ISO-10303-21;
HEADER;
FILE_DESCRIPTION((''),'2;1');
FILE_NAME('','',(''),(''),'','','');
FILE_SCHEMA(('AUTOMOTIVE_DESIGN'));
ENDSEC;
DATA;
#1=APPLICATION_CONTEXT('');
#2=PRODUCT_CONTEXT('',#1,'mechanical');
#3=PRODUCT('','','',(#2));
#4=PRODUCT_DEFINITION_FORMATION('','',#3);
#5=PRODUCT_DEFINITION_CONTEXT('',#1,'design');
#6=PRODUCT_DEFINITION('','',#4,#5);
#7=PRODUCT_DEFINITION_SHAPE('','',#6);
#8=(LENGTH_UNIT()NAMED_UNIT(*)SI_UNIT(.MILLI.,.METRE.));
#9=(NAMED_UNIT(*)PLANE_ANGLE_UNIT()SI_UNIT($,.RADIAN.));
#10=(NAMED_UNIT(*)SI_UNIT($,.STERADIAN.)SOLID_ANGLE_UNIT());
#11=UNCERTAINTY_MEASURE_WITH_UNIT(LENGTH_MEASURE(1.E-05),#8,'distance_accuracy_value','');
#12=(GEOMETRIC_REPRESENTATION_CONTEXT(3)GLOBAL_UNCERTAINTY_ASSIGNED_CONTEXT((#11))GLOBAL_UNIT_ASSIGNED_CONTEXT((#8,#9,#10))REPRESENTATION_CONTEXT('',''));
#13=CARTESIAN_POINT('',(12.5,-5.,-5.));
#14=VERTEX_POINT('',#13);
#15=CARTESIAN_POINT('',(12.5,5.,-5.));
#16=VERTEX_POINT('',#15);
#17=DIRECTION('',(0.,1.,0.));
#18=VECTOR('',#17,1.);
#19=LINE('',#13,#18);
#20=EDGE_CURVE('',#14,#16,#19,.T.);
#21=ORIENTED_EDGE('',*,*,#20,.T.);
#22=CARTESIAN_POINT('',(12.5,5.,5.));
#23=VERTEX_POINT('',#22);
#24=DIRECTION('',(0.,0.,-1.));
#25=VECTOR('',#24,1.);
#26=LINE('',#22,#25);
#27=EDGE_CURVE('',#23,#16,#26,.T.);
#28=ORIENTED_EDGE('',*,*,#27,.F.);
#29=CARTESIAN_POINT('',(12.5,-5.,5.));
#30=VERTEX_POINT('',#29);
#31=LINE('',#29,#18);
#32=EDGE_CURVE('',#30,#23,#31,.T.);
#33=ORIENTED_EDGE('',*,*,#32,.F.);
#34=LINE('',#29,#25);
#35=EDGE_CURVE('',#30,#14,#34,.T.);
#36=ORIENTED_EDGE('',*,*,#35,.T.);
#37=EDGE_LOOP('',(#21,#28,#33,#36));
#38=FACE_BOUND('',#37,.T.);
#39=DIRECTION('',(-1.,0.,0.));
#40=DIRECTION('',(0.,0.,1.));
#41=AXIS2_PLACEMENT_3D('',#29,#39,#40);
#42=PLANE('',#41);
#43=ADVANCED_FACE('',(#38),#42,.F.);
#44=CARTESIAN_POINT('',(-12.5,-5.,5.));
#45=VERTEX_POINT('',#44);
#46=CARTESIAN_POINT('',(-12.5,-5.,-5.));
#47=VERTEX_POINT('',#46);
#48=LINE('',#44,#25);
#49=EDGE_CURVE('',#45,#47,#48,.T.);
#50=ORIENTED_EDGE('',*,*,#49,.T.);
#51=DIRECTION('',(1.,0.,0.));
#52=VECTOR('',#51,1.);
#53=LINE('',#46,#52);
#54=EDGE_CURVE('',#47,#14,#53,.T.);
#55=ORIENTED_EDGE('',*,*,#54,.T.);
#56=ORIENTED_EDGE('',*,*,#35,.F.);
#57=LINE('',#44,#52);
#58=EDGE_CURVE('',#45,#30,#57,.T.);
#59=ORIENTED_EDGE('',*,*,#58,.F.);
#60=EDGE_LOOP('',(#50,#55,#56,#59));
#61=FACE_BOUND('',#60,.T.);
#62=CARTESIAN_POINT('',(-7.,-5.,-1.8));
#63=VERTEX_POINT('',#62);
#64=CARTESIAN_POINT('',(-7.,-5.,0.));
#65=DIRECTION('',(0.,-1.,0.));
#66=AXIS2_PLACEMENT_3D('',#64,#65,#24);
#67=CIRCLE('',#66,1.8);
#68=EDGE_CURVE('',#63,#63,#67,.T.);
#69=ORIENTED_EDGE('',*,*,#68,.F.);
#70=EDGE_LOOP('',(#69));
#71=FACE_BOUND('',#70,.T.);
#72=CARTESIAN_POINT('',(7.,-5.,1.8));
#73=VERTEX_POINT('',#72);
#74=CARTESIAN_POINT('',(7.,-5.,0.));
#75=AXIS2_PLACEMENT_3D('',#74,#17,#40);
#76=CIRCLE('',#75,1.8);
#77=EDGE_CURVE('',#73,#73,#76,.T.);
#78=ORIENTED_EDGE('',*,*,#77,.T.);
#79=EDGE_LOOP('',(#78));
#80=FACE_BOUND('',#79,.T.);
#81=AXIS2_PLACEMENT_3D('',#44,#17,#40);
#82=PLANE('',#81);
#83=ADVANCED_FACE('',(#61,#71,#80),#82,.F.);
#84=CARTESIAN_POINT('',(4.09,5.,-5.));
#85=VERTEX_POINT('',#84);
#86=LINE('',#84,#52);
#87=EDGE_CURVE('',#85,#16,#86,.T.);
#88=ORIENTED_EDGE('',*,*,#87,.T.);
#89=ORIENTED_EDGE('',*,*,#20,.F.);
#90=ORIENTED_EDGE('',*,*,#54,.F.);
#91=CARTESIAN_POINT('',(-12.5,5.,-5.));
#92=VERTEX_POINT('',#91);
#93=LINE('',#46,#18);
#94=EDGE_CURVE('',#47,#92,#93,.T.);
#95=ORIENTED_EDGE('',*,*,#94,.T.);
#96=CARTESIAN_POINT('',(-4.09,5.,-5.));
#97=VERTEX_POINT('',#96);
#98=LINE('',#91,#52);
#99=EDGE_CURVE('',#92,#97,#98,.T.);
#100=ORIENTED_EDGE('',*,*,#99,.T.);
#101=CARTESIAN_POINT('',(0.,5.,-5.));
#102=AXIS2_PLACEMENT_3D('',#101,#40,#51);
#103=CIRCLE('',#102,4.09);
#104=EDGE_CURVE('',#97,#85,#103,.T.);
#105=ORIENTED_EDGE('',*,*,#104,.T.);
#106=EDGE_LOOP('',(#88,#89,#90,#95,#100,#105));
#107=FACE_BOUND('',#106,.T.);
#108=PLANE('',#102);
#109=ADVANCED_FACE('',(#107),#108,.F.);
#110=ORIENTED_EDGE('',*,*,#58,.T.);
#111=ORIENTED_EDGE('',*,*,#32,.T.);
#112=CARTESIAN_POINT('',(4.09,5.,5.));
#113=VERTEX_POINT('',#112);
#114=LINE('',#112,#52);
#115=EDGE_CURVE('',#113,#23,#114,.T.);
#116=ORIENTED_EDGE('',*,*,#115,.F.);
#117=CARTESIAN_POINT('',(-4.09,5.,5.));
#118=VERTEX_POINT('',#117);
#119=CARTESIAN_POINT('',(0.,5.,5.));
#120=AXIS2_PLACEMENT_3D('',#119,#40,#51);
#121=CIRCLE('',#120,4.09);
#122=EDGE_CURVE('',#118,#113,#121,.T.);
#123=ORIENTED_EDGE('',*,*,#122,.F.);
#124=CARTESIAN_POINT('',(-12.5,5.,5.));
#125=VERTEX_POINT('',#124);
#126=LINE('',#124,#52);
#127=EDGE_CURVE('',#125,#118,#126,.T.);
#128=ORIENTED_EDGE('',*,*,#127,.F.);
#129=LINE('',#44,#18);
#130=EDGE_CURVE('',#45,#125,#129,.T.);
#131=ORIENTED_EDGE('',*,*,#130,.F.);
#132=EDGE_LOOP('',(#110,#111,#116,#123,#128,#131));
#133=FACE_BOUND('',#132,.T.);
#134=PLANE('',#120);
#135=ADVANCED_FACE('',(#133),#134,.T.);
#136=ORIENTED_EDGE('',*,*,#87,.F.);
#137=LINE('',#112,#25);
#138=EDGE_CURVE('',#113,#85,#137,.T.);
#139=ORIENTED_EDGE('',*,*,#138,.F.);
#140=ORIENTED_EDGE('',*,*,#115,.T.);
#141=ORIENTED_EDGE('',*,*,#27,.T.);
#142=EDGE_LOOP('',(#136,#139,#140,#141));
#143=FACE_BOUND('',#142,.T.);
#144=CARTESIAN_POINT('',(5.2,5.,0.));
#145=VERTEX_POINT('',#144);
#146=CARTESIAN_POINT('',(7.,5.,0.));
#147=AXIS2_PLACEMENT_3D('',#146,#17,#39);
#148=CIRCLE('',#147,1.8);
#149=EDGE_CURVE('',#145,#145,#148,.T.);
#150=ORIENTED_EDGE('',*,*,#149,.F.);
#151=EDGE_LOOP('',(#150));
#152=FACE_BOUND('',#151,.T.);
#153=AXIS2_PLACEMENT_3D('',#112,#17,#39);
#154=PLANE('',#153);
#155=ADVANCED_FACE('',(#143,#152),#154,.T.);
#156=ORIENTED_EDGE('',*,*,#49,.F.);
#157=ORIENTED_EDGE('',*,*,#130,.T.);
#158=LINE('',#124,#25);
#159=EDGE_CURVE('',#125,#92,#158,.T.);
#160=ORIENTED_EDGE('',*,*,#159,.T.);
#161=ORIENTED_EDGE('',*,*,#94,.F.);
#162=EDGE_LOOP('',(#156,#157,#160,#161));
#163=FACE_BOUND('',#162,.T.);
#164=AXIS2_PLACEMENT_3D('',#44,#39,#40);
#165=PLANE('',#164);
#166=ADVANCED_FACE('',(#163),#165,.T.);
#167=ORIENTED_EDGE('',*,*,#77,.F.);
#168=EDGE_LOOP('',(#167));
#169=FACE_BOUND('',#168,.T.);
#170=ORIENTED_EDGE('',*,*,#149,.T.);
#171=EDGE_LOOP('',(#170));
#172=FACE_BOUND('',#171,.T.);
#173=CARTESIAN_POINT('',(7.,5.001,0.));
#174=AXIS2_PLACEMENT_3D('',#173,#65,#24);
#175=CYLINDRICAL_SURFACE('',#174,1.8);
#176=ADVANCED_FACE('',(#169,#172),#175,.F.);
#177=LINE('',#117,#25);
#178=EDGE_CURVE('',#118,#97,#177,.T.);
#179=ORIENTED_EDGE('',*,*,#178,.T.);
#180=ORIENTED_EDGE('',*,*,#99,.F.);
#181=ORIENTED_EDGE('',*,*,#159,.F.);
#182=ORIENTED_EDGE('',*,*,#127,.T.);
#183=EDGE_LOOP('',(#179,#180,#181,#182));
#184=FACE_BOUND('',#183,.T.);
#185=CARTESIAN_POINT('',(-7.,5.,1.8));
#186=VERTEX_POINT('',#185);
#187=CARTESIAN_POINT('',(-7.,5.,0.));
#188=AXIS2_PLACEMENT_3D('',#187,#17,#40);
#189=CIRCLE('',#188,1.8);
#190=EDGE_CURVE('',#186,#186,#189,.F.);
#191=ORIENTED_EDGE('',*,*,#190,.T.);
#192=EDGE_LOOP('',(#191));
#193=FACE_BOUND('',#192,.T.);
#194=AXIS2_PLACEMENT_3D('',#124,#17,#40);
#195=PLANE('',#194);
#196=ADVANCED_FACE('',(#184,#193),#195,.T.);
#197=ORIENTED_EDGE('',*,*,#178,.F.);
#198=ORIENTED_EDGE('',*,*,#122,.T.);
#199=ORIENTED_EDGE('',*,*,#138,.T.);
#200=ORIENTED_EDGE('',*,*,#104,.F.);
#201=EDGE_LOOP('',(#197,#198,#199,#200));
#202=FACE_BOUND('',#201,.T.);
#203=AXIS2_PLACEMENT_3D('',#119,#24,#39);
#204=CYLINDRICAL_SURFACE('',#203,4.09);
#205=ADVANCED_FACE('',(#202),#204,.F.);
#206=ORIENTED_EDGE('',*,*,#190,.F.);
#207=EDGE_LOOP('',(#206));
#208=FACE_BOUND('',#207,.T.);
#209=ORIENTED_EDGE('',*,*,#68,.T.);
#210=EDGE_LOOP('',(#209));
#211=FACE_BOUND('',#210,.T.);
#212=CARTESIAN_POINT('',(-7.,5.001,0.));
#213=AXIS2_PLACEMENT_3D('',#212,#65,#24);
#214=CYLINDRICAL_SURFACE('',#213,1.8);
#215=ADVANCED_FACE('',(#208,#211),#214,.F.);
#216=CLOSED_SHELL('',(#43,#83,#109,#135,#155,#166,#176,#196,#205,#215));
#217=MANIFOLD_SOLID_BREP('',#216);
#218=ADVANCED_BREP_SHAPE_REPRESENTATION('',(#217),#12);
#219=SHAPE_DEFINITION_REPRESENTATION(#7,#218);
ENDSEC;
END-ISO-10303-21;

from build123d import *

# Parameters (mm, degrees)
MAIN_BODY_DEPTH   = 5
SCREW_HOLES_REACH = 18.771
SCHIZZO2_R        = 1.8


with BuildPart() as part:
    # Schizzo1 → Main body (new, symmetric)
    with BuildSketch(Plane.XY):
        with BuildLine():
            Line((-12.5, -5), (12.5, -5))
            Line((12.5, -5), (12.5, 5))
            Line((12.5, 5), (4.09, 5))
            ThreePointArc((4.09, 5), (0, 0.91), (-4.09, 5))
            Line((-4.09, 5), (-12.5, 5))
            Line((-12.5, 5), (-12.5, -5))
        make_face()
    extrude(amount=MAIN_BODY_DEPTH, both=True)

    # Schizzo2 → screw holes (cut, up to next)
    with BuildSketch(Plane.XZ.offset(5), mode=Mode.PRIVATE) as screw_holes_sk1:
        with Locations((-7, 0)):
            Circle(SCHIZZO2_R)
    screw_holes_tool1 = extrude(screw_holes_sk1.sketch, amount=-SCREW_HOLES_REACH, mode=Mode.PRIVATE) & part.part
    # Schizzo2 → screw holes (cut, up to next)
    with BuildSketch(Plane.XZ.offset(5), mode=Mode.PRIVATE) as screw_holes_sk2:
        with Locations((7, 0)):
            Circle(SCHIZZO2_R)
    screw_holes_tool2 = extrude(screw_holes_sk2.sketch, amount=-SCREW_HOLES_REACH, mode=Mode.PRIVATE) & part.part
    add(screw_holes_tool1.solids().sort_by_distance((-7, -5, 0))[0], mode=Mode.SUBTRACT)
    add(screw_holes_tool2.solids().sort_by_distance((7, -5, 0))[0], mode=Mode.SUBTRACT)


solid = part.part
